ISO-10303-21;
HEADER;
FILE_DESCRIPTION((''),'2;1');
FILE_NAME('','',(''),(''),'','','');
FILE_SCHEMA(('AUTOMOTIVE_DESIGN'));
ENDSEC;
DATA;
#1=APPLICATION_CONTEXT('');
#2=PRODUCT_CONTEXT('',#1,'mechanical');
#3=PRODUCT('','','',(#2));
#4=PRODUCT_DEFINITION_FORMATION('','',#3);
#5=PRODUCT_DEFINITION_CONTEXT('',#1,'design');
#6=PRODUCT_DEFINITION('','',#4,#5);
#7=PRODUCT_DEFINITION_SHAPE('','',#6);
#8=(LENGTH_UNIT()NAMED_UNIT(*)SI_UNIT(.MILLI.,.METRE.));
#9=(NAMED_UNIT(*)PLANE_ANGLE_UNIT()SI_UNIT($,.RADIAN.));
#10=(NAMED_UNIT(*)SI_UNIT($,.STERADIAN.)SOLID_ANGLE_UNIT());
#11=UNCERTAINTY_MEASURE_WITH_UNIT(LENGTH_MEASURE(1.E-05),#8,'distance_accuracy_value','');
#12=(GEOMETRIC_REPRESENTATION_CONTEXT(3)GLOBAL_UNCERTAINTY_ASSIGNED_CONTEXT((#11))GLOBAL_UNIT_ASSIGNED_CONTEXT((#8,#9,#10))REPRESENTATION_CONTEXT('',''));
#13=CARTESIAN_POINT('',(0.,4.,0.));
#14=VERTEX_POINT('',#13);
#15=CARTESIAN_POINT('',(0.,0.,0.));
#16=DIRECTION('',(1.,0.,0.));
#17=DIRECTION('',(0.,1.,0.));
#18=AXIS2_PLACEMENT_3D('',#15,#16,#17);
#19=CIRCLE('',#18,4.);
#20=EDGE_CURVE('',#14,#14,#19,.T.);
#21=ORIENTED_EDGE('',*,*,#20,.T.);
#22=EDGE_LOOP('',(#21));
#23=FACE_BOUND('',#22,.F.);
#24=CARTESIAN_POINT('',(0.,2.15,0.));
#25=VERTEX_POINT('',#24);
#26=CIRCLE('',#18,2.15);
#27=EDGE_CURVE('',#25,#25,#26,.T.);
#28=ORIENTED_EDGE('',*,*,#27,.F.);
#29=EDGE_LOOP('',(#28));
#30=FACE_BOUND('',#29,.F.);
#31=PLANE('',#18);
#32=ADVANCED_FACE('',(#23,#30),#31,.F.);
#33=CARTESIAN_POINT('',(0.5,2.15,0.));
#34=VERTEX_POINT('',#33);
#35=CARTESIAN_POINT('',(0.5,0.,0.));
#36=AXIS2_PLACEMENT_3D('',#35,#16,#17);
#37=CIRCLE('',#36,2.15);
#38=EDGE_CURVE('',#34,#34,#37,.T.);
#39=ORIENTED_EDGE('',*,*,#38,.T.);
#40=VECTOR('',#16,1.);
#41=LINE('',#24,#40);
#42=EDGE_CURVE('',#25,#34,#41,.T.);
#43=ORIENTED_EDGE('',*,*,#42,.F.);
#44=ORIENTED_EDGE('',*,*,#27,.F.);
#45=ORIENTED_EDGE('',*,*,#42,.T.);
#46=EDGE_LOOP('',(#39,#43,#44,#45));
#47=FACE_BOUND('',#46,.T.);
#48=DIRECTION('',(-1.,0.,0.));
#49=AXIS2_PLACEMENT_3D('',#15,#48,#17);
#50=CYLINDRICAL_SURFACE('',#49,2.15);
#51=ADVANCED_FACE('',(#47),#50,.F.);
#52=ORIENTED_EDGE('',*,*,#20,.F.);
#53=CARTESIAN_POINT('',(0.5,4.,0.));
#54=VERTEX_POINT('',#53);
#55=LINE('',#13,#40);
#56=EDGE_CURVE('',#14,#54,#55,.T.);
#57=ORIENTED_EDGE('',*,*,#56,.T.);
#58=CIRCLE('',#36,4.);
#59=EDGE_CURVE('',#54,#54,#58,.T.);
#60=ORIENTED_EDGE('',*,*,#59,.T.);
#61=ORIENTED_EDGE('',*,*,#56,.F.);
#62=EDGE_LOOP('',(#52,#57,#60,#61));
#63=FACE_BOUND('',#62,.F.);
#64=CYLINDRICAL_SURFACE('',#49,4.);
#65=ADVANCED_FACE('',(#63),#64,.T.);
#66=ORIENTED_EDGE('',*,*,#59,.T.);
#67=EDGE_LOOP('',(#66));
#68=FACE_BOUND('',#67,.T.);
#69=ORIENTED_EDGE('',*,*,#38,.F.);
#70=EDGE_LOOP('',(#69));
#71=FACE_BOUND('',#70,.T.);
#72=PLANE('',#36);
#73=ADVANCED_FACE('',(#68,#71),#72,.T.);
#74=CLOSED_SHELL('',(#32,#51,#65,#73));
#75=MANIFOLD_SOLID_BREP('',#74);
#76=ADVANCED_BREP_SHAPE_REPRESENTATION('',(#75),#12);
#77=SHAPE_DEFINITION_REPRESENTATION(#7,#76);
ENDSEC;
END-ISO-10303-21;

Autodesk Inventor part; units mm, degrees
ref_plane "YZ Plane" through (0, 0, 0) normal (1, 0, 0) x (0, 1, 0)
ref_plane "XZ Plane" through (0, 0, 0) normal (0, 1, 0) x (-1, 0, 0)
sketch "Sketch" plane through (0, 0, 0) normal (1, 0, 0) x (0, 1, 0)
  circle A0 centre (0, 0) radius 4
  circle A1 centre (0, 0) radius 2.15
  dimension "d0" = 4.3
  dimension "d1" = 8
extrude "Body" add sketch "Sketch" along normal blind 0.5
ref_plane "Work Plane1" through (0, 0, 0) normal (0, 0, 1) x (1, 0, 0)
equation "\"d0\" = SD1"
equation "\"d1\" = SD2"
equation "\"d2\" = SD"
equation "\"SD1\" = 4.3"
equation "\"SD2\" = 8"
equation "\"SD\" = 0.5"
equation "\"NND\" = 4"
properties part number "ISO 7092 - ST 4 - 140 HV" material "Stainless Steel"
